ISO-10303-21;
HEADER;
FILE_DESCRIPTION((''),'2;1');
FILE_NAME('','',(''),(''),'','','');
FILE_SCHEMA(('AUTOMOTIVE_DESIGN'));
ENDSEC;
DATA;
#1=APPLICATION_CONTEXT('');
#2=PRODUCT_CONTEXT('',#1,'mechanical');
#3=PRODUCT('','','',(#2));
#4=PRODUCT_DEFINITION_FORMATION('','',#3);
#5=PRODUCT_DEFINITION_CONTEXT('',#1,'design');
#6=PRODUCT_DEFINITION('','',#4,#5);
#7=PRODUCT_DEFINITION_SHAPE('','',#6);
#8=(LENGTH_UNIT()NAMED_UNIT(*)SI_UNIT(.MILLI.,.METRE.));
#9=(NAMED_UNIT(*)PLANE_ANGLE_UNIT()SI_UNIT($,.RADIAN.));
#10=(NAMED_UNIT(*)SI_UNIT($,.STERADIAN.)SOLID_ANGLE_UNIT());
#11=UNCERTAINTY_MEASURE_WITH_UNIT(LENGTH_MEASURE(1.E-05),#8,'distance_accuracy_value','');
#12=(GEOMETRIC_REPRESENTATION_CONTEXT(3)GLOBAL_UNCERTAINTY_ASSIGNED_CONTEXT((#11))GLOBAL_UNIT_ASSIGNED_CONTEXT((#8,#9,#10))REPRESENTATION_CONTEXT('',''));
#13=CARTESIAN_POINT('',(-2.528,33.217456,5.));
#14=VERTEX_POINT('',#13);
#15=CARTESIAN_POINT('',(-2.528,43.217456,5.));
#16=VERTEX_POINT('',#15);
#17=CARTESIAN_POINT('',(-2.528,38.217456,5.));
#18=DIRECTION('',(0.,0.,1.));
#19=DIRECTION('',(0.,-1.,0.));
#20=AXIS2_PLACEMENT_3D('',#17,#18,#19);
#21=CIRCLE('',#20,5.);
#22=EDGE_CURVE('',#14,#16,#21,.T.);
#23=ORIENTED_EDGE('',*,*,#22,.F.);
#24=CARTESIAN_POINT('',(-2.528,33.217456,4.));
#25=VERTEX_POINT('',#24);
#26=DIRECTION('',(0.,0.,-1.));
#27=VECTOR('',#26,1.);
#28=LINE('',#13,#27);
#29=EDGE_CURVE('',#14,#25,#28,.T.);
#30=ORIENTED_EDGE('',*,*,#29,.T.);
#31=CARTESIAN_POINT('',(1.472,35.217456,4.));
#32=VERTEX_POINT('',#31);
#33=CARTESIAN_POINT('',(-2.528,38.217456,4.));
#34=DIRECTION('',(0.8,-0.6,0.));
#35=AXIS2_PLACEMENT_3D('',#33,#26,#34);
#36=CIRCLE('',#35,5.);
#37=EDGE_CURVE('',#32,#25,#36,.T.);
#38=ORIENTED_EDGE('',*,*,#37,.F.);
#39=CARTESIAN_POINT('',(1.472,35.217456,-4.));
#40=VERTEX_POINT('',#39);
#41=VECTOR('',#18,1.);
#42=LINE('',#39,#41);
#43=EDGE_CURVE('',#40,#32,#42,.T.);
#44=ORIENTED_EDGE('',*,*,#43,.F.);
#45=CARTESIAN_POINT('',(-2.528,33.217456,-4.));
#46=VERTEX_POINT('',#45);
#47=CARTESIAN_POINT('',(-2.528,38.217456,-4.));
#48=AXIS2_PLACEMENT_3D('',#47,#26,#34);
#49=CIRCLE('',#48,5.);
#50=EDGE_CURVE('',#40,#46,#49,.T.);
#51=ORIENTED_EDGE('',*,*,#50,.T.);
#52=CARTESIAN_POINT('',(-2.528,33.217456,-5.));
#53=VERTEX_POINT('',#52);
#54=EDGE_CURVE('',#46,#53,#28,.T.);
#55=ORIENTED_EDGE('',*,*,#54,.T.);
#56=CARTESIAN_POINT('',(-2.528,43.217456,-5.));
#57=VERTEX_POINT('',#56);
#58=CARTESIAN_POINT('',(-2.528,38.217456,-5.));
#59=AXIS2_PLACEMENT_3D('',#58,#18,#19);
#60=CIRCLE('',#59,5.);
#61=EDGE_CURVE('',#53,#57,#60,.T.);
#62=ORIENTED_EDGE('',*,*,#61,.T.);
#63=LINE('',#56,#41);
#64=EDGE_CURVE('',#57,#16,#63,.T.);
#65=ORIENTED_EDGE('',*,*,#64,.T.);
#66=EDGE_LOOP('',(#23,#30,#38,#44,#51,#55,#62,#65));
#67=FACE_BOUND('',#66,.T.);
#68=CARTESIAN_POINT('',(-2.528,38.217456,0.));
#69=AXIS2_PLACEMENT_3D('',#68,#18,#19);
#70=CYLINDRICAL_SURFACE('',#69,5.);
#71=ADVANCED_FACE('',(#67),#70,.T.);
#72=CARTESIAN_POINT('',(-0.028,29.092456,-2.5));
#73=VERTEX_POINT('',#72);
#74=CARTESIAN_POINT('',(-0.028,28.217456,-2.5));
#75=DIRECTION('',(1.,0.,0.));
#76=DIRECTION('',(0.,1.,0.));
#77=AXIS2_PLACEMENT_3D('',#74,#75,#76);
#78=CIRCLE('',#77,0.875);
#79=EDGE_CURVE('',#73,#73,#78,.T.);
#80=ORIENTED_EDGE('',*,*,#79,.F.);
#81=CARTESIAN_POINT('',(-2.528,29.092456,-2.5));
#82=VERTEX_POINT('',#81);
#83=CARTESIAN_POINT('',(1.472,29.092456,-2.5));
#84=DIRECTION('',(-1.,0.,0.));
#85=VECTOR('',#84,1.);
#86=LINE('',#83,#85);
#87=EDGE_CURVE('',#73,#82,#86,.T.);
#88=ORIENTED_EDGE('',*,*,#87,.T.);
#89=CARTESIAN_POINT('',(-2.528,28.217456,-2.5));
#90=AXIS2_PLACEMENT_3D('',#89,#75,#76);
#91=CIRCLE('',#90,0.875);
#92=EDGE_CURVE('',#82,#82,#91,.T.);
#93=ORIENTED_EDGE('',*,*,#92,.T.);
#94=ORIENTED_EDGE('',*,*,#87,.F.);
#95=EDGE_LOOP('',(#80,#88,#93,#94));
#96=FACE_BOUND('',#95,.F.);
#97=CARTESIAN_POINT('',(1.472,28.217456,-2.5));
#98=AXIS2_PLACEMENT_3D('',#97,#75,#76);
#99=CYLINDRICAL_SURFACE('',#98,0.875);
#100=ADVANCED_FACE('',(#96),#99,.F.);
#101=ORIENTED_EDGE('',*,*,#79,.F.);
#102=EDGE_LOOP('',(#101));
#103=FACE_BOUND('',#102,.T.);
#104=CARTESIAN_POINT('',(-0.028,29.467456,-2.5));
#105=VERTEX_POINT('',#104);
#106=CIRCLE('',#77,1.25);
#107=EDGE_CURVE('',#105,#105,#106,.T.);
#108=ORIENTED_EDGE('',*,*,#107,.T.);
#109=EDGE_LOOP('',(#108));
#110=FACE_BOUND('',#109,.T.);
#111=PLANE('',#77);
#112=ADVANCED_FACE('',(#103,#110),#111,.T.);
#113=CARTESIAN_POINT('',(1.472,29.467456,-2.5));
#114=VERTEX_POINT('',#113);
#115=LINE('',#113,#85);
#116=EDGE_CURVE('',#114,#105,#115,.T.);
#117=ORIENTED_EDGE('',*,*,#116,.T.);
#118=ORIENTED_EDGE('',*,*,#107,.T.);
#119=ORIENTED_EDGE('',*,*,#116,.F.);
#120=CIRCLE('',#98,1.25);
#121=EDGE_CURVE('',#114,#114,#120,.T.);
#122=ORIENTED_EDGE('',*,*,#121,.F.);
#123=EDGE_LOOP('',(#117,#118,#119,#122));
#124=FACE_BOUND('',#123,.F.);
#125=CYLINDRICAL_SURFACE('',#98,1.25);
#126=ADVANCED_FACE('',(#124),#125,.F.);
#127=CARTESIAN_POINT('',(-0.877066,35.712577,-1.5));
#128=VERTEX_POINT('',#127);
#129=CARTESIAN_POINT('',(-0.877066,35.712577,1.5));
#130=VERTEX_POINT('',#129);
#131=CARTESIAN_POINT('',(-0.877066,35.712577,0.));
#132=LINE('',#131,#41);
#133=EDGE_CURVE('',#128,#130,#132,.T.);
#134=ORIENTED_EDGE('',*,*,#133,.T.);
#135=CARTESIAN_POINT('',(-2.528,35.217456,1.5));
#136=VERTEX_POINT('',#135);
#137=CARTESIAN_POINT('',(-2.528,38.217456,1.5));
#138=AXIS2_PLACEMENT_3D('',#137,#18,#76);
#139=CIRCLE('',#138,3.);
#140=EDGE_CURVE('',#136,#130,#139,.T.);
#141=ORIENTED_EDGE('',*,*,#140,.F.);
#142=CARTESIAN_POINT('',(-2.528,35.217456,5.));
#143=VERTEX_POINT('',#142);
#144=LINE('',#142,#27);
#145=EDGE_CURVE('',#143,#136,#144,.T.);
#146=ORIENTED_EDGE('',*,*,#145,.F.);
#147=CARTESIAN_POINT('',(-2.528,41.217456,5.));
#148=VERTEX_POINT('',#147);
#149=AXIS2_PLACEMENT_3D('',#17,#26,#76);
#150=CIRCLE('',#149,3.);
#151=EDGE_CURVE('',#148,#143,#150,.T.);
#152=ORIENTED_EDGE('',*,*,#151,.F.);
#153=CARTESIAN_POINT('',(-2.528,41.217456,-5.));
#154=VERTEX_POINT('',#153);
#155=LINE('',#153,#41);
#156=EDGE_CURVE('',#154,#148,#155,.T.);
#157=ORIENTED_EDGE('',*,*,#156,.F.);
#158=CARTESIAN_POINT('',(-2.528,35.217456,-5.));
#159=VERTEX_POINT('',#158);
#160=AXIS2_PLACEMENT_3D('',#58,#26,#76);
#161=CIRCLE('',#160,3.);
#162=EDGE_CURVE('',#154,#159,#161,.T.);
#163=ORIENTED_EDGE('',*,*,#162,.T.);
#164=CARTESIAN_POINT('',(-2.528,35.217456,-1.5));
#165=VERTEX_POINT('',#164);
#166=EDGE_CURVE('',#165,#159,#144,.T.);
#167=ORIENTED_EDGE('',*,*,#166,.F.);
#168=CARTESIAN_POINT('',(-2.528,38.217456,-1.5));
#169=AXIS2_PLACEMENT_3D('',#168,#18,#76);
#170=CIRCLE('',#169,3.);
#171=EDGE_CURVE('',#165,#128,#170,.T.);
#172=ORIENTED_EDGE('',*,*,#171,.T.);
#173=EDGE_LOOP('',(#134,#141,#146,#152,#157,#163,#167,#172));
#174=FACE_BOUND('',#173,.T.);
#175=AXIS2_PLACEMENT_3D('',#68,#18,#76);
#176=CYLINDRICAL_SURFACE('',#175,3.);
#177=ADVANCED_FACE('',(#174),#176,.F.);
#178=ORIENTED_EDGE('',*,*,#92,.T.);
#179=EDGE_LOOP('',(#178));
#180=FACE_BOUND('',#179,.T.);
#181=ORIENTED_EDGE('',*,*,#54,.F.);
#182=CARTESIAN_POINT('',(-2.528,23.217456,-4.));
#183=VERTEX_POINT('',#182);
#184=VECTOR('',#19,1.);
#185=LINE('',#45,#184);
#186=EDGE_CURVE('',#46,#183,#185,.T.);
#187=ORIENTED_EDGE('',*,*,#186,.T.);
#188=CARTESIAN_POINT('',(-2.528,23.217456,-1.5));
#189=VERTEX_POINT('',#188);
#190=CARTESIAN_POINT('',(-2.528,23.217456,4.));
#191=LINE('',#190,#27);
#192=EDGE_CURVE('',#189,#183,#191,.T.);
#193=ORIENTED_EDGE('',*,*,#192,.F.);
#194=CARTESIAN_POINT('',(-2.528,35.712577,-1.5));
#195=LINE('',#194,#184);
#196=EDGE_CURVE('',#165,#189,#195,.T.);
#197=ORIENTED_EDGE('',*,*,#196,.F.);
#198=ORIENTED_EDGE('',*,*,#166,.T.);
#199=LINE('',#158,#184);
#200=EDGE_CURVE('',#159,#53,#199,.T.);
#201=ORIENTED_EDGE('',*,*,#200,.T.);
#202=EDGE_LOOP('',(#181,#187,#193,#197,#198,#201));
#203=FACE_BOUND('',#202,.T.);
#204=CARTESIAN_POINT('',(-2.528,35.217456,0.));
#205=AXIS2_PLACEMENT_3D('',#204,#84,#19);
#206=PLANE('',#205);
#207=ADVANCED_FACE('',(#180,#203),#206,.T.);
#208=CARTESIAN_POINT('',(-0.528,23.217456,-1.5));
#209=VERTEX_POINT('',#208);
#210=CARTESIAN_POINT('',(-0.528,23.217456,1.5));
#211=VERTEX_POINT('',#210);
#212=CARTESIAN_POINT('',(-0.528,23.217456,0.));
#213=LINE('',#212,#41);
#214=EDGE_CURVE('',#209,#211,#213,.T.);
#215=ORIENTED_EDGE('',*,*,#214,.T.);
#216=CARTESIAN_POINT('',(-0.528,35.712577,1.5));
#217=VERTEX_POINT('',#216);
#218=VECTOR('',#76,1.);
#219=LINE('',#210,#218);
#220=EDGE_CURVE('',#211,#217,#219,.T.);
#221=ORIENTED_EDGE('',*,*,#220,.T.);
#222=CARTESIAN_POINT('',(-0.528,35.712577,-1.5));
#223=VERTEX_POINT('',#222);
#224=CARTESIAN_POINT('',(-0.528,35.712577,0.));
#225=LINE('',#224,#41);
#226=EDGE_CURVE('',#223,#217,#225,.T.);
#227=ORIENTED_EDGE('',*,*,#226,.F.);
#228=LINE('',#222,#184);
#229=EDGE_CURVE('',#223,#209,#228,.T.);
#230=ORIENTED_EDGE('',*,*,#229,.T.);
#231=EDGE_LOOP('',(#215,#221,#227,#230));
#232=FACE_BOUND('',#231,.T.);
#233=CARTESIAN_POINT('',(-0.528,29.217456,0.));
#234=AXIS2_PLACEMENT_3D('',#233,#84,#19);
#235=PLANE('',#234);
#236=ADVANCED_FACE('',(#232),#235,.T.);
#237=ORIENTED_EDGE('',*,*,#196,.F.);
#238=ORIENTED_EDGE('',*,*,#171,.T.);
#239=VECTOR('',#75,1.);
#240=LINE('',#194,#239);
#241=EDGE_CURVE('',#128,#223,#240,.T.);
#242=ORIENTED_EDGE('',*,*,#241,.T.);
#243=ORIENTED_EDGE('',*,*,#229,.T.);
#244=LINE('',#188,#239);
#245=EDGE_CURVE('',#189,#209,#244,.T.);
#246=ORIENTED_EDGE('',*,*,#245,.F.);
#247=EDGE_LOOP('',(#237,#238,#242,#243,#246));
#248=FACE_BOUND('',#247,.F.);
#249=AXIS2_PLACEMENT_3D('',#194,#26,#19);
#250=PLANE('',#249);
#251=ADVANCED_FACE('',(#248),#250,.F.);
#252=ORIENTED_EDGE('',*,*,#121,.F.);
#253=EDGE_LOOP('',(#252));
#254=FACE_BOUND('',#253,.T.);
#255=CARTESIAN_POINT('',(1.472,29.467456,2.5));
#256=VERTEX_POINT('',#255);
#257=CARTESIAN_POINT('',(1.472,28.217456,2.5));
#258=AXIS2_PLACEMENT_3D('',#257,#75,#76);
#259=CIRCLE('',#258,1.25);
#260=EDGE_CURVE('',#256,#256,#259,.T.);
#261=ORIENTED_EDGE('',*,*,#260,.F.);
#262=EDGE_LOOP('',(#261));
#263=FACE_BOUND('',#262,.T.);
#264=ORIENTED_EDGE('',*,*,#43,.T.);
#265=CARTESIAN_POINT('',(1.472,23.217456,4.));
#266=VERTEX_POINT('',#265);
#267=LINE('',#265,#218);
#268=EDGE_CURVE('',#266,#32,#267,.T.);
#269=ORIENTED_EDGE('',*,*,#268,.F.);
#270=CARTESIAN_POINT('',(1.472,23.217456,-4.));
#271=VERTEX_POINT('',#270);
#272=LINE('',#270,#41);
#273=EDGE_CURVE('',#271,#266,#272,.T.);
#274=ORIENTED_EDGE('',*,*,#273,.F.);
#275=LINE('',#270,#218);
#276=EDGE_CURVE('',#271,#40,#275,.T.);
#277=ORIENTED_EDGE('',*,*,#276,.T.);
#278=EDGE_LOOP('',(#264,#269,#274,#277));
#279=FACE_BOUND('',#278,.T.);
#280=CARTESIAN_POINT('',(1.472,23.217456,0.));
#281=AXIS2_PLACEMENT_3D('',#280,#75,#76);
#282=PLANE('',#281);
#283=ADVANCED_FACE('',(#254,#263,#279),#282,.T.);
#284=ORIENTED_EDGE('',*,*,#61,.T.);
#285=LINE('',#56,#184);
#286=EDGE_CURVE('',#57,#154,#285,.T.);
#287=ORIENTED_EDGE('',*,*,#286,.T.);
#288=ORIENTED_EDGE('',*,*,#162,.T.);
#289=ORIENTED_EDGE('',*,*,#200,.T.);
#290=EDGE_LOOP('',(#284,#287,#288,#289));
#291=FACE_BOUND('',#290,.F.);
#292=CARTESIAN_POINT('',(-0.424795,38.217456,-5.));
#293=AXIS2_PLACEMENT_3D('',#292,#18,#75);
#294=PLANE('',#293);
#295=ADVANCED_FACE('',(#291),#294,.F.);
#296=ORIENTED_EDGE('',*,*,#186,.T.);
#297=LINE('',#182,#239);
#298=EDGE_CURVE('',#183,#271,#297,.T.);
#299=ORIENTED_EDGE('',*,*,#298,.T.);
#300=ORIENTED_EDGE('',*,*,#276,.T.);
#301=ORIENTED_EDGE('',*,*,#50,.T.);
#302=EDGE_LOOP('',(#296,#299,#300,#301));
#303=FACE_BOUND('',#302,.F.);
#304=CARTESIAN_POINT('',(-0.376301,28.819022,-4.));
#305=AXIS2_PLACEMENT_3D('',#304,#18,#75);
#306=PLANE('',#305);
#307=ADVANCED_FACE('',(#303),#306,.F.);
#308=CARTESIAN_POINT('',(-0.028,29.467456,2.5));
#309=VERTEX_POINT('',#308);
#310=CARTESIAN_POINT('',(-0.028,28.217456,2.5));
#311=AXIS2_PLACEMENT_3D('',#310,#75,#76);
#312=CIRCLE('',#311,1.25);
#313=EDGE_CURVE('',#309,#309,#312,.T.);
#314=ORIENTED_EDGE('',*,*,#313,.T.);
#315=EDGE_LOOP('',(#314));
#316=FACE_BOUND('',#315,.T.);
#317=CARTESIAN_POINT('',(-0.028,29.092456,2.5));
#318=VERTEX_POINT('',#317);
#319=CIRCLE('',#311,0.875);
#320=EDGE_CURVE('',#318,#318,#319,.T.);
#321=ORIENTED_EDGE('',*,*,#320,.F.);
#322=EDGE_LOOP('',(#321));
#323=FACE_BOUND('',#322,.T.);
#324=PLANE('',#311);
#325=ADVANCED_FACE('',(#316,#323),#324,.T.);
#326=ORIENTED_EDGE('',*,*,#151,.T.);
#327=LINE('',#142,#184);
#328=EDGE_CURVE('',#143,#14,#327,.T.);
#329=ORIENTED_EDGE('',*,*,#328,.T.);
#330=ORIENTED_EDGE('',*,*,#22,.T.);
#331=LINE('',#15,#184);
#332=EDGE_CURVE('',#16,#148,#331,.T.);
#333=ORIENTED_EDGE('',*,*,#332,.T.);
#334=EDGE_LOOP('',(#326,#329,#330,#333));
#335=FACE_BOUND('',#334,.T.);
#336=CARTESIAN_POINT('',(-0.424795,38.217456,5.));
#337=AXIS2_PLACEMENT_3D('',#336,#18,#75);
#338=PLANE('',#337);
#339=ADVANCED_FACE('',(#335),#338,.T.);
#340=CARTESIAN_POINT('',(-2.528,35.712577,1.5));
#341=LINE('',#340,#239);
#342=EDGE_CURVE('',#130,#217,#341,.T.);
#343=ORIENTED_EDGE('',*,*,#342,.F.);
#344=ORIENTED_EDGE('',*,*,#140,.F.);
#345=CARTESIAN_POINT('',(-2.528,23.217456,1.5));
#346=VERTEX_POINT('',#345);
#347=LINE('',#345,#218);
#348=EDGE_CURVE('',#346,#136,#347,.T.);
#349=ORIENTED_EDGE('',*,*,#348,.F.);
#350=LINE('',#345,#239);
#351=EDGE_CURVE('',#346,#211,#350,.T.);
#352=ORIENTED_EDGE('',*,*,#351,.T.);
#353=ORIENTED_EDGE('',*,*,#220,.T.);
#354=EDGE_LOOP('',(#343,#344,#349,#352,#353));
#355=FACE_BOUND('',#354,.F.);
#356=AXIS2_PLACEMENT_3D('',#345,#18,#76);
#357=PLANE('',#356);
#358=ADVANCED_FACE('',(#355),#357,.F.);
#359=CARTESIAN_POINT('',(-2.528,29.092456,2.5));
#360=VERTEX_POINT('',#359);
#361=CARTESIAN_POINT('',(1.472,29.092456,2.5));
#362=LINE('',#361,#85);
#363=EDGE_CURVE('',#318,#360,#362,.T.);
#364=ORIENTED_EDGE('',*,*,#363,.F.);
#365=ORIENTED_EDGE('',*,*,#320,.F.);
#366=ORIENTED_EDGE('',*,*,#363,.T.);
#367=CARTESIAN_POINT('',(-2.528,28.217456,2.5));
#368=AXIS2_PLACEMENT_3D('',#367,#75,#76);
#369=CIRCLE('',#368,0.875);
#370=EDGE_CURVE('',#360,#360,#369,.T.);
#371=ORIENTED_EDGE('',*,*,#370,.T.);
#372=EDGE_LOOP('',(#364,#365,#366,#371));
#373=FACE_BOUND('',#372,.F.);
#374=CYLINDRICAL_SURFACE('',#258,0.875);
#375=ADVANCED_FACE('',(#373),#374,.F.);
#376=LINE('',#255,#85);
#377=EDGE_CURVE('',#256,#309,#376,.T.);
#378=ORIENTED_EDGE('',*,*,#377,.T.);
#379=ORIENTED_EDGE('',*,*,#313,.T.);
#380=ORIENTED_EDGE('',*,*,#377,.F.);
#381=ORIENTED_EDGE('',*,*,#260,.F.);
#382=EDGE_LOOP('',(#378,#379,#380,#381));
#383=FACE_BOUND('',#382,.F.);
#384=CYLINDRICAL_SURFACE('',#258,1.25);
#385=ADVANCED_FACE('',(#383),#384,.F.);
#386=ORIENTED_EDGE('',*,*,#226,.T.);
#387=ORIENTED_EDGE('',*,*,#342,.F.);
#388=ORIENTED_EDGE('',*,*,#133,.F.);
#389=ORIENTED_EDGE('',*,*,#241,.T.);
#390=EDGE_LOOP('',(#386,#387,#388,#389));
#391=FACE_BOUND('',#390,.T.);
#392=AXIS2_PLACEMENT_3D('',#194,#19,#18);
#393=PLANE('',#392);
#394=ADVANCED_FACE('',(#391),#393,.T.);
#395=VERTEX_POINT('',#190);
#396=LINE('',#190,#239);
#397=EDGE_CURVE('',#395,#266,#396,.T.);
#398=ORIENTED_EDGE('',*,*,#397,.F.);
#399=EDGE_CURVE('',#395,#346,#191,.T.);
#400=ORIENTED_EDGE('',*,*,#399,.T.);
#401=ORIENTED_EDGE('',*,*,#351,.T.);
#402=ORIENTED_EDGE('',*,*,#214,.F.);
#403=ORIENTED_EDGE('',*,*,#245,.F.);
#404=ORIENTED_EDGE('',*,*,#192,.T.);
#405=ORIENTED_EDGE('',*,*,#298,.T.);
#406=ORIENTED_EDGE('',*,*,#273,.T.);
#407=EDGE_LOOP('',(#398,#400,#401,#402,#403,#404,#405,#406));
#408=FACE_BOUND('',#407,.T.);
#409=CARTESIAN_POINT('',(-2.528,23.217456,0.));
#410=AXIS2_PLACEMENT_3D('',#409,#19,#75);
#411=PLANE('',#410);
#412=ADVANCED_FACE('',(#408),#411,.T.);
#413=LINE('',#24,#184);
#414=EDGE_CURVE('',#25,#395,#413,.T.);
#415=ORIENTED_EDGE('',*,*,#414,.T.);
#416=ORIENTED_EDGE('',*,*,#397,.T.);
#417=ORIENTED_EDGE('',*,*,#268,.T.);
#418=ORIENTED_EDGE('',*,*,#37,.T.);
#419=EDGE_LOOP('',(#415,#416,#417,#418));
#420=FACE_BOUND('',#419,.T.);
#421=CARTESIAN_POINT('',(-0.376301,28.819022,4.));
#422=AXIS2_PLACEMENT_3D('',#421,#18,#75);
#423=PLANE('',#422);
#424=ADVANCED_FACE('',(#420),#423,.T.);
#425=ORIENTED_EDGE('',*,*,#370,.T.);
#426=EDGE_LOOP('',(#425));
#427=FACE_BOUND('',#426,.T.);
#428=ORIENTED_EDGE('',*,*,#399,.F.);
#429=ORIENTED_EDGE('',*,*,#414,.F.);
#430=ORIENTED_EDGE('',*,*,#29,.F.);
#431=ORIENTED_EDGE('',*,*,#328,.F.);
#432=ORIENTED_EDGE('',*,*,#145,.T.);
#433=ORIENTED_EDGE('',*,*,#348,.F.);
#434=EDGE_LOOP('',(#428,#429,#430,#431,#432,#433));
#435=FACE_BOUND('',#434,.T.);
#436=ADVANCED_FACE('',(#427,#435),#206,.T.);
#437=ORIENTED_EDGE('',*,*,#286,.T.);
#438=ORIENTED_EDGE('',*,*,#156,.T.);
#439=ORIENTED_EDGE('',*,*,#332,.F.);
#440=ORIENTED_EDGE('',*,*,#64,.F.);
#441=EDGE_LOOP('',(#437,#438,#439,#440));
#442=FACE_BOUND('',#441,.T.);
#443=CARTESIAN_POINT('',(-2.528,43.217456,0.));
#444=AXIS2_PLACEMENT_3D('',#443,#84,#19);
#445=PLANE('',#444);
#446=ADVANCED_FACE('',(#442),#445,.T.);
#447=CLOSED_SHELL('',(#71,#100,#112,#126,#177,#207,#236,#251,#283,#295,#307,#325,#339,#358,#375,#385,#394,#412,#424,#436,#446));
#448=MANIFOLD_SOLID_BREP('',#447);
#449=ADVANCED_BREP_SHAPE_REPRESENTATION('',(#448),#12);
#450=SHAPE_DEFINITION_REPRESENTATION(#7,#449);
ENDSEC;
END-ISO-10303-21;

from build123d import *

# Parameters (mm, degrees)
F1_DEPTH = 4
F2_DEPTH = 5
F3_W     = 12
F3_H     = 3
F3_W_2   = 0.4951214439
F4_DEPTH = 2
F5_R     = 1.25
F5_R_2   = 0.875
F6_DEPTH = 1.5
F7_DEPTH = 25


with BuildPart() as f1:
    # F0 (on Top) → F1 (new body, symmetric)
    with BuildSketch(Plane.XY):
        with BuildLine():
            Line((-2.528, 23.2174559587), (1.472, 23.2174559587))
            Line((1.472, 23.2174559587), (1.472, 35.2174559587))
            ThreePointArc((1.472, 35.2174559587), (-0.2919320225, 33.7453200037), (-2.528, 33.2174559587))
            Line((-2.528, 33.2174559587), (-2.528, 23.2174559587))
        make_face()
    extrude(amount=F1_DEPTH, both=True)

    # F0 (on Top) → F2 (join, symmetric)
    with BuildSketch(Plane.XY):
        with BuildLine():
            ThreePointArc((-2.528, 33.2174559587), (-0.2919320225, 33.7453200037), (1.472, 35.2174559587))
            ThreePointArc((1.472, 35.2174559587), (1.944135955, 40.4535239362), (-2.528, 43.2174559587))
            Line((-2.528, 43.2174559587), (-2.528, 41.2174559587))
            ThreePointArc((-2.528, 41.2174559587), (0.472, 38.2174559587), (-2.528, 35.2174559587))
            Line((-2.528, 35.2174559587), (-2.528, 33.2174559587))
        make_face()
    extrude(amount=F2_DEPTH, both=True)

    # F3 (on face) → F4 (cut)
    with BuildSketch(Plane(origin=(-2.528, 0, 0), x_dir=(0, -1, 0), z_dir=(-1, 0, 0))):
        with Locations((-29.2174559587, 0)):
            Rectangle(F3_W, F3_H)
        with Locations((-35.4650166806, 0)):
            Rectangle(F3_W_2, F3_H)
    extrude(amount=-F4_DEPTH, mode=Mode.SUBTRACT)

    # F5 (on face) → F6 (cut)
    with BuildSketch(Plane.YZ.offset(1.472)):
        with Locations((28.2174559587, 2.5)):
            Circle(F5_R)
        with Locations((28.2174559587, 2.5)):
            Circle(F5_R_2, mode=Mode.SUBTRACT)
        with Locations((28.2174559587, -2.5)):
            Circle(F5_R)
        with Locations((28.2174559587, -2.5)):
            Circle(F5_R_2, mode=Mode.SUBTRACT)
    extrude(amount=-F6_DEPTH, mode=Mode.SUBTRACT)

    # F7 (cut): faces of the model
    f7_faces = [f1.faces().sort_by_distance(p)[0] for p in [
        (1.472, 28.2174559587, 2.5),
        (1.472, 28.2174559587, -2.5),
    ]]
    extrude(f7_faces, amount=-F7_DEPTH, mode=Mode.SUBTRACT)


solid = f1.part
